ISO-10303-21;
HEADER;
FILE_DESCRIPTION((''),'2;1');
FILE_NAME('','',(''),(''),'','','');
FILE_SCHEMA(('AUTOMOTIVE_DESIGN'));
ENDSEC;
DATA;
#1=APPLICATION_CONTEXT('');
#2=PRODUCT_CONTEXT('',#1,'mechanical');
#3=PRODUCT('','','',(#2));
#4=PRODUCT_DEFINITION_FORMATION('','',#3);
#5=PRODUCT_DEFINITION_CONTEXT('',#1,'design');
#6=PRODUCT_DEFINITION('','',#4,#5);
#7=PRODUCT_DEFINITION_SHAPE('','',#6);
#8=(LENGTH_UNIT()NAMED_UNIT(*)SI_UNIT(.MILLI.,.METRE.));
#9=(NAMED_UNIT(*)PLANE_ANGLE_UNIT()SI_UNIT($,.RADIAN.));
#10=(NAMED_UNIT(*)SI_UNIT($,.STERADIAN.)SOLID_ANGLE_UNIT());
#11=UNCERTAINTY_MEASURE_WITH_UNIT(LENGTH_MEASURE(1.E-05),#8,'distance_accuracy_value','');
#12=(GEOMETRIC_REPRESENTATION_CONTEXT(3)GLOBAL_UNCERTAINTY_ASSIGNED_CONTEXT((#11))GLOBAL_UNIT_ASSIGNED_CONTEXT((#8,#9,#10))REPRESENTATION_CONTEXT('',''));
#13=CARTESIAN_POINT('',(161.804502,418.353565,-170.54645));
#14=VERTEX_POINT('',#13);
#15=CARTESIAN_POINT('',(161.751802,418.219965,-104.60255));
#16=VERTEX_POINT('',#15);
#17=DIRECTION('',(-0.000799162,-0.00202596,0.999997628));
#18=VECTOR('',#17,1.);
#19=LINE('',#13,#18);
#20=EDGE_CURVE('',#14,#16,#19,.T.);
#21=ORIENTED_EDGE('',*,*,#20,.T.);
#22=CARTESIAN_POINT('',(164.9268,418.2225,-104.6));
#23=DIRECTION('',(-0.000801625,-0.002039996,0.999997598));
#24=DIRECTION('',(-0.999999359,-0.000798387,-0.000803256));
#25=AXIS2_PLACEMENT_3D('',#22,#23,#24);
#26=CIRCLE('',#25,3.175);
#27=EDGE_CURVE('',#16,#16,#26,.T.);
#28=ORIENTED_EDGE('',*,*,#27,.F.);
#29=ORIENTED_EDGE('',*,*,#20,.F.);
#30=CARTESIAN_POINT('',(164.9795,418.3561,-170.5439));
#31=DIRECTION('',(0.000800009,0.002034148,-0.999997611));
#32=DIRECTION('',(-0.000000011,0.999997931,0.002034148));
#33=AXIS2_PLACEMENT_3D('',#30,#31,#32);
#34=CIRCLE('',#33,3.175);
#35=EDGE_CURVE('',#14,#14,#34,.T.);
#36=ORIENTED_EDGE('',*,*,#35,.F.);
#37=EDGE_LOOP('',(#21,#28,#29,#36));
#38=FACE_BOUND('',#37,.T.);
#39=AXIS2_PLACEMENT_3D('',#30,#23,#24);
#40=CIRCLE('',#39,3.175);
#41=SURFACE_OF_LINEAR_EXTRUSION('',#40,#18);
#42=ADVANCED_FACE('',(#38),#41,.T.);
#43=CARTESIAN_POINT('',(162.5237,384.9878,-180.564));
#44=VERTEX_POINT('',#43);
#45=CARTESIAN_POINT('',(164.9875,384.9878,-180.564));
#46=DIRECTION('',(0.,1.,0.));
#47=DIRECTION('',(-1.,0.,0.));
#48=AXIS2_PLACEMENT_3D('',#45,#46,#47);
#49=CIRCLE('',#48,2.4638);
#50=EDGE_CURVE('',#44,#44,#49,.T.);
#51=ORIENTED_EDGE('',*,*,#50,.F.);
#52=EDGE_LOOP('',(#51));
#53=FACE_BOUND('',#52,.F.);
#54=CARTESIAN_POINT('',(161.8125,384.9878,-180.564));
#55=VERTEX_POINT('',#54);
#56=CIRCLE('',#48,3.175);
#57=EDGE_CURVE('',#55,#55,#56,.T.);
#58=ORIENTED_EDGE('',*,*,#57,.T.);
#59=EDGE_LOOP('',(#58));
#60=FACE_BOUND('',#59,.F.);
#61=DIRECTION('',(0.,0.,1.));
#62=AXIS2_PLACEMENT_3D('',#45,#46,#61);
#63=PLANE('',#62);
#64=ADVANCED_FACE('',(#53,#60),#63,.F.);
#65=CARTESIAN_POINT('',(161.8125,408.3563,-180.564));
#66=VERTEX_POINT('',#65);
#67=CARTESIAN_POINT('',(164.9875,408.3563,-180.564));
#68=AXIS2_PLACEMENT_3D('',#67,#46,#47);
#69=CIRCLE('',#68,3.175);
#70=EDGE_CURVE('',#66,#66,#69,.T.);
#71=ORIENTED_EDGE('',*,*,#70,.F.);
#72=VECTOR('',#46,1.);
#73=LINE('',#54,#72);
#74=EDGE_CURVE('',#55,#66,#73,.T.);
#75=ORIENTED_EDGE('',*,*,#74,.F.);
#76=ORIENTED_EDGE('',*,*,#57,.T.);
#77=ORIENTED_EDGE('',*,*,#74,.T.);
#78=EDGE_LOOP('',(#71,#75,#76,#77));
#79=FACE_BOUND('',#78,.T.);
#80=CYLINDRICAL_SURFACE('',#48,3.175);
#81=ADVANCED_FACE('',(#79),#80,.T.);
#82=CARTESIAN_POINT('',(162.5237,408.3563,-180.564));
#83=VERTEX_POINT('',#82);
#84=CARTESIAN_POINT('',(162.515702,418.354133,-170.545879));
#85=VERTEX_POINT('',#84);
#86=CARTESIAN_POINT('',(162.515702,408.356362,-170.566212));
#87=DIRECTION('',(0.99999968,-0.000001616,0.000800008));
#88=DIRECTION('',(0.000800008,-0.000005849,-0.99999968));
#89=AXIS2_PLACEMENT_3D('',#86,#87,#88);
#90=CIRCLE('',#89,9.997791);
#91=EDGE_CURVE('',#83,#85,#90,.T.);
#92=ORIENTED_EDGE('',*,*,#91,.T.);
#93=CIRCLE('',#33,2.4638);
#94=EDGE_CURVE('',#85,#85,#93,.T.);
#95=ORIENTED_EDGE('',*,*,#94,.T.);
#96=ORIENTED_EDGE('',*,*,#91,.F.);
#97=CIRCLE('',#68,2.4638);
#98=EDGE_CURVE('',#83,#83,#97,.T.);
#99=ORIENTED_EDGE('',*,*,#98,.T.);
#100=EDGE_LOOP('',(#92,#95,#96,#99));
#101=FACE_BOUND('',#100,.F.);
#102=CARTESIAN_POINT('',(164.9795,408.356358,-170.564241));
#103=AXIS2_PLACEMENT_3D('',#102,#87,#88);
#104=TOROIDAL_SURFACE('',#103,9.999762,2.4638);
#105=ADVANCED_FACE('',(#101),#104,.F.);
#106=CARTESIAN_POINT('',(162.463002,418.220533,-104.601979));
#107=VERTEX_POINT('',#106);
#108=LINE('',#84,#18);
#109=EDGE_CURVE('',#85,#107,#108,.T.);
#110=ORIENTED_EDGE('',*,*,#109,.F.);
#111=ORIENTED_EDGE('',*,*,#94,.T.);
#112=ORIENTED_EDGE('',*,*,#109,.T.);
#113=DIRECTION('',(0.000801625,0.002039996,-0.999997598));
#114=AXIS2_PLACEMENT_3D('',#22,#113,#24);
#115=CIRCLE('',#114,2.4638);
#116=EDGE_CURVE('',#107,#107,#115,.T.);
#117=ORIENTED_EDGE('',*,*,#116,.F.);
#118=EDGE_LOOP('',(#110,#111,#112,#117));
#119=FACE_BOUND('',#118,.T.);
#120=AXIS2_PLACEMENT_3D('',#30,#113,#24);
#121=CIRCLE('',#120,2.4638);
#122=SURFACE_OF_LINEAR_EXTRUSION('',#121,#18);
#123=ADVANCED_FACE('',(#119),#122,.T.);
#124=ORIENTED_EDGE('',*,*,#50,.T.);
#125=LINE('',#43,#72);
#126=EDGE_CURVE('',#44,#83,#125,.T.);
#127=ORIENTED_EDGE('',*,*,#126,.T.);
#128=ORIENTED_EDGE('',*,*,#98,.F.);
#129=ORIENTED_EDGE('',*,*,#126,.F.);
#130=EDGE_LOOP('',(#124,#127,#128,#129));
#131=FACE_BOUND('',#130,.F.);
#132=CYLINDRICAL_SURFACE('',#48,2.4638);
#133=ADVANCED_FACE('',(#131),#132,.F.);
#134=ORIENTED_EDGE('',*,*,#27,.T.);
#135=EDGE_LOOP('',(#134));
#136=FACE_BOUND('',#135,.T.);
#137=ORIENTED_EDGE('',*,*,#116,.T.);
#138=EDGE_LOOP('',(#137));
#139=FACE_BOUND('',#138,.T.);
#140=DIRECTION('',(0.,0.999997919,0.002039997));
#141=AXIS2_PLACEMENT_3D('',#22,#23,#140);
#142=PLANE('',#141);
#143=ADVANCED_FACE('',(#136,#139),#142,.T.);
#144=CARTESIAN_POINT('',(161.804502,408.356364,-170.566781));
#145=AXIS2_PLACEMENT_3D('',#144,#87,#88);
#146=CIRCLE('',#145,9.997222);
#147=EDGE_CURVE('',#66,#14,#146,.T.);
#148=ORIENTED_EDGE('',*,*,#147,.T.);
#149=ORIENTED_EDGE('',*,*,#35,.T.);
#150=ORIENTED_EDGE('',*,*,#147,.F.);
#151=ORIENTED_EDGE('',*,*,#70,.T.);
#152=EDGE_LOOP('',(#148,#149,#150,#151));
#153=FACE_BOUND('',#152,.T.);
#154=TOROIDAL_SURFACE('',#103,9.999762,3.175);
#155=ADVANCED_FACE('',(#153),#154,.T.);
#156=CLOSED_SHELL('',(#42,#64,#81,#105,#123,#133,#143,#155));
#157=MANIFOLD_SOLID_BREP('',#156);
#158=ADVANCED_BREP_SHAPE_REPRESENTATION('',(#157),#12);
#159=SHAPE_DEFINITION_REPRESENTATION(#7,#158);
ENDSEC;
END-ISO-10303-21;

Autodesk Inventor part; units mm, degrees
ref_plane "YZ Plane" through (0, 0, 0) normal (1, 0, 0) x (0, 1, 0)
ref_plane "XZ Plane" through (0, 0, 0) normal (0, 1, 0) x (-1, 0, 0)
ref_plane "Work Plane4" through (164.9875, 384.9878, -180.564) normal (0, 1, 0) x (-1, 0, 0)
sketch "Sketch4" plane through (164.9875, 384.9878, -180.564) normal (0, 1, 0) x (-1, 0, 0)
  circle A0 centre (0, 0) radius 3.175
  circle A1 centre (0, 0) radius 2.4638
sketch3d "3D Sketch2"
  line L0 (164.9875, 384.9878, -180.564) -> (164.9875, 408.3563, -180.564)
  arc A0 (164.9875, 408.3563, -180.564) -> (164.9795, 418.3561, -170.5439) centre (164.9795, 408.3563, -170.5641) ccw
  line L1 (164.9795, 418.3561, -170.5439) -> (164.9268, 418.2225, -104.6)
  dimension "d9" = 9.9999
sweep "Sweep2" add profiles "Sketch4" path "3D Sketch2"
equation "\"OD\" = 6.35"
equation "\"t\" = 0.7112"
equation "\"L\" = PL"
equation "\"ID\" = 4.9276"
equation "\"PL\" = 105.029"
equation "\"D\" = 15.24"
equation "\"Size_Designation\" = 1.2345"
properties material "Stainless Steel"
